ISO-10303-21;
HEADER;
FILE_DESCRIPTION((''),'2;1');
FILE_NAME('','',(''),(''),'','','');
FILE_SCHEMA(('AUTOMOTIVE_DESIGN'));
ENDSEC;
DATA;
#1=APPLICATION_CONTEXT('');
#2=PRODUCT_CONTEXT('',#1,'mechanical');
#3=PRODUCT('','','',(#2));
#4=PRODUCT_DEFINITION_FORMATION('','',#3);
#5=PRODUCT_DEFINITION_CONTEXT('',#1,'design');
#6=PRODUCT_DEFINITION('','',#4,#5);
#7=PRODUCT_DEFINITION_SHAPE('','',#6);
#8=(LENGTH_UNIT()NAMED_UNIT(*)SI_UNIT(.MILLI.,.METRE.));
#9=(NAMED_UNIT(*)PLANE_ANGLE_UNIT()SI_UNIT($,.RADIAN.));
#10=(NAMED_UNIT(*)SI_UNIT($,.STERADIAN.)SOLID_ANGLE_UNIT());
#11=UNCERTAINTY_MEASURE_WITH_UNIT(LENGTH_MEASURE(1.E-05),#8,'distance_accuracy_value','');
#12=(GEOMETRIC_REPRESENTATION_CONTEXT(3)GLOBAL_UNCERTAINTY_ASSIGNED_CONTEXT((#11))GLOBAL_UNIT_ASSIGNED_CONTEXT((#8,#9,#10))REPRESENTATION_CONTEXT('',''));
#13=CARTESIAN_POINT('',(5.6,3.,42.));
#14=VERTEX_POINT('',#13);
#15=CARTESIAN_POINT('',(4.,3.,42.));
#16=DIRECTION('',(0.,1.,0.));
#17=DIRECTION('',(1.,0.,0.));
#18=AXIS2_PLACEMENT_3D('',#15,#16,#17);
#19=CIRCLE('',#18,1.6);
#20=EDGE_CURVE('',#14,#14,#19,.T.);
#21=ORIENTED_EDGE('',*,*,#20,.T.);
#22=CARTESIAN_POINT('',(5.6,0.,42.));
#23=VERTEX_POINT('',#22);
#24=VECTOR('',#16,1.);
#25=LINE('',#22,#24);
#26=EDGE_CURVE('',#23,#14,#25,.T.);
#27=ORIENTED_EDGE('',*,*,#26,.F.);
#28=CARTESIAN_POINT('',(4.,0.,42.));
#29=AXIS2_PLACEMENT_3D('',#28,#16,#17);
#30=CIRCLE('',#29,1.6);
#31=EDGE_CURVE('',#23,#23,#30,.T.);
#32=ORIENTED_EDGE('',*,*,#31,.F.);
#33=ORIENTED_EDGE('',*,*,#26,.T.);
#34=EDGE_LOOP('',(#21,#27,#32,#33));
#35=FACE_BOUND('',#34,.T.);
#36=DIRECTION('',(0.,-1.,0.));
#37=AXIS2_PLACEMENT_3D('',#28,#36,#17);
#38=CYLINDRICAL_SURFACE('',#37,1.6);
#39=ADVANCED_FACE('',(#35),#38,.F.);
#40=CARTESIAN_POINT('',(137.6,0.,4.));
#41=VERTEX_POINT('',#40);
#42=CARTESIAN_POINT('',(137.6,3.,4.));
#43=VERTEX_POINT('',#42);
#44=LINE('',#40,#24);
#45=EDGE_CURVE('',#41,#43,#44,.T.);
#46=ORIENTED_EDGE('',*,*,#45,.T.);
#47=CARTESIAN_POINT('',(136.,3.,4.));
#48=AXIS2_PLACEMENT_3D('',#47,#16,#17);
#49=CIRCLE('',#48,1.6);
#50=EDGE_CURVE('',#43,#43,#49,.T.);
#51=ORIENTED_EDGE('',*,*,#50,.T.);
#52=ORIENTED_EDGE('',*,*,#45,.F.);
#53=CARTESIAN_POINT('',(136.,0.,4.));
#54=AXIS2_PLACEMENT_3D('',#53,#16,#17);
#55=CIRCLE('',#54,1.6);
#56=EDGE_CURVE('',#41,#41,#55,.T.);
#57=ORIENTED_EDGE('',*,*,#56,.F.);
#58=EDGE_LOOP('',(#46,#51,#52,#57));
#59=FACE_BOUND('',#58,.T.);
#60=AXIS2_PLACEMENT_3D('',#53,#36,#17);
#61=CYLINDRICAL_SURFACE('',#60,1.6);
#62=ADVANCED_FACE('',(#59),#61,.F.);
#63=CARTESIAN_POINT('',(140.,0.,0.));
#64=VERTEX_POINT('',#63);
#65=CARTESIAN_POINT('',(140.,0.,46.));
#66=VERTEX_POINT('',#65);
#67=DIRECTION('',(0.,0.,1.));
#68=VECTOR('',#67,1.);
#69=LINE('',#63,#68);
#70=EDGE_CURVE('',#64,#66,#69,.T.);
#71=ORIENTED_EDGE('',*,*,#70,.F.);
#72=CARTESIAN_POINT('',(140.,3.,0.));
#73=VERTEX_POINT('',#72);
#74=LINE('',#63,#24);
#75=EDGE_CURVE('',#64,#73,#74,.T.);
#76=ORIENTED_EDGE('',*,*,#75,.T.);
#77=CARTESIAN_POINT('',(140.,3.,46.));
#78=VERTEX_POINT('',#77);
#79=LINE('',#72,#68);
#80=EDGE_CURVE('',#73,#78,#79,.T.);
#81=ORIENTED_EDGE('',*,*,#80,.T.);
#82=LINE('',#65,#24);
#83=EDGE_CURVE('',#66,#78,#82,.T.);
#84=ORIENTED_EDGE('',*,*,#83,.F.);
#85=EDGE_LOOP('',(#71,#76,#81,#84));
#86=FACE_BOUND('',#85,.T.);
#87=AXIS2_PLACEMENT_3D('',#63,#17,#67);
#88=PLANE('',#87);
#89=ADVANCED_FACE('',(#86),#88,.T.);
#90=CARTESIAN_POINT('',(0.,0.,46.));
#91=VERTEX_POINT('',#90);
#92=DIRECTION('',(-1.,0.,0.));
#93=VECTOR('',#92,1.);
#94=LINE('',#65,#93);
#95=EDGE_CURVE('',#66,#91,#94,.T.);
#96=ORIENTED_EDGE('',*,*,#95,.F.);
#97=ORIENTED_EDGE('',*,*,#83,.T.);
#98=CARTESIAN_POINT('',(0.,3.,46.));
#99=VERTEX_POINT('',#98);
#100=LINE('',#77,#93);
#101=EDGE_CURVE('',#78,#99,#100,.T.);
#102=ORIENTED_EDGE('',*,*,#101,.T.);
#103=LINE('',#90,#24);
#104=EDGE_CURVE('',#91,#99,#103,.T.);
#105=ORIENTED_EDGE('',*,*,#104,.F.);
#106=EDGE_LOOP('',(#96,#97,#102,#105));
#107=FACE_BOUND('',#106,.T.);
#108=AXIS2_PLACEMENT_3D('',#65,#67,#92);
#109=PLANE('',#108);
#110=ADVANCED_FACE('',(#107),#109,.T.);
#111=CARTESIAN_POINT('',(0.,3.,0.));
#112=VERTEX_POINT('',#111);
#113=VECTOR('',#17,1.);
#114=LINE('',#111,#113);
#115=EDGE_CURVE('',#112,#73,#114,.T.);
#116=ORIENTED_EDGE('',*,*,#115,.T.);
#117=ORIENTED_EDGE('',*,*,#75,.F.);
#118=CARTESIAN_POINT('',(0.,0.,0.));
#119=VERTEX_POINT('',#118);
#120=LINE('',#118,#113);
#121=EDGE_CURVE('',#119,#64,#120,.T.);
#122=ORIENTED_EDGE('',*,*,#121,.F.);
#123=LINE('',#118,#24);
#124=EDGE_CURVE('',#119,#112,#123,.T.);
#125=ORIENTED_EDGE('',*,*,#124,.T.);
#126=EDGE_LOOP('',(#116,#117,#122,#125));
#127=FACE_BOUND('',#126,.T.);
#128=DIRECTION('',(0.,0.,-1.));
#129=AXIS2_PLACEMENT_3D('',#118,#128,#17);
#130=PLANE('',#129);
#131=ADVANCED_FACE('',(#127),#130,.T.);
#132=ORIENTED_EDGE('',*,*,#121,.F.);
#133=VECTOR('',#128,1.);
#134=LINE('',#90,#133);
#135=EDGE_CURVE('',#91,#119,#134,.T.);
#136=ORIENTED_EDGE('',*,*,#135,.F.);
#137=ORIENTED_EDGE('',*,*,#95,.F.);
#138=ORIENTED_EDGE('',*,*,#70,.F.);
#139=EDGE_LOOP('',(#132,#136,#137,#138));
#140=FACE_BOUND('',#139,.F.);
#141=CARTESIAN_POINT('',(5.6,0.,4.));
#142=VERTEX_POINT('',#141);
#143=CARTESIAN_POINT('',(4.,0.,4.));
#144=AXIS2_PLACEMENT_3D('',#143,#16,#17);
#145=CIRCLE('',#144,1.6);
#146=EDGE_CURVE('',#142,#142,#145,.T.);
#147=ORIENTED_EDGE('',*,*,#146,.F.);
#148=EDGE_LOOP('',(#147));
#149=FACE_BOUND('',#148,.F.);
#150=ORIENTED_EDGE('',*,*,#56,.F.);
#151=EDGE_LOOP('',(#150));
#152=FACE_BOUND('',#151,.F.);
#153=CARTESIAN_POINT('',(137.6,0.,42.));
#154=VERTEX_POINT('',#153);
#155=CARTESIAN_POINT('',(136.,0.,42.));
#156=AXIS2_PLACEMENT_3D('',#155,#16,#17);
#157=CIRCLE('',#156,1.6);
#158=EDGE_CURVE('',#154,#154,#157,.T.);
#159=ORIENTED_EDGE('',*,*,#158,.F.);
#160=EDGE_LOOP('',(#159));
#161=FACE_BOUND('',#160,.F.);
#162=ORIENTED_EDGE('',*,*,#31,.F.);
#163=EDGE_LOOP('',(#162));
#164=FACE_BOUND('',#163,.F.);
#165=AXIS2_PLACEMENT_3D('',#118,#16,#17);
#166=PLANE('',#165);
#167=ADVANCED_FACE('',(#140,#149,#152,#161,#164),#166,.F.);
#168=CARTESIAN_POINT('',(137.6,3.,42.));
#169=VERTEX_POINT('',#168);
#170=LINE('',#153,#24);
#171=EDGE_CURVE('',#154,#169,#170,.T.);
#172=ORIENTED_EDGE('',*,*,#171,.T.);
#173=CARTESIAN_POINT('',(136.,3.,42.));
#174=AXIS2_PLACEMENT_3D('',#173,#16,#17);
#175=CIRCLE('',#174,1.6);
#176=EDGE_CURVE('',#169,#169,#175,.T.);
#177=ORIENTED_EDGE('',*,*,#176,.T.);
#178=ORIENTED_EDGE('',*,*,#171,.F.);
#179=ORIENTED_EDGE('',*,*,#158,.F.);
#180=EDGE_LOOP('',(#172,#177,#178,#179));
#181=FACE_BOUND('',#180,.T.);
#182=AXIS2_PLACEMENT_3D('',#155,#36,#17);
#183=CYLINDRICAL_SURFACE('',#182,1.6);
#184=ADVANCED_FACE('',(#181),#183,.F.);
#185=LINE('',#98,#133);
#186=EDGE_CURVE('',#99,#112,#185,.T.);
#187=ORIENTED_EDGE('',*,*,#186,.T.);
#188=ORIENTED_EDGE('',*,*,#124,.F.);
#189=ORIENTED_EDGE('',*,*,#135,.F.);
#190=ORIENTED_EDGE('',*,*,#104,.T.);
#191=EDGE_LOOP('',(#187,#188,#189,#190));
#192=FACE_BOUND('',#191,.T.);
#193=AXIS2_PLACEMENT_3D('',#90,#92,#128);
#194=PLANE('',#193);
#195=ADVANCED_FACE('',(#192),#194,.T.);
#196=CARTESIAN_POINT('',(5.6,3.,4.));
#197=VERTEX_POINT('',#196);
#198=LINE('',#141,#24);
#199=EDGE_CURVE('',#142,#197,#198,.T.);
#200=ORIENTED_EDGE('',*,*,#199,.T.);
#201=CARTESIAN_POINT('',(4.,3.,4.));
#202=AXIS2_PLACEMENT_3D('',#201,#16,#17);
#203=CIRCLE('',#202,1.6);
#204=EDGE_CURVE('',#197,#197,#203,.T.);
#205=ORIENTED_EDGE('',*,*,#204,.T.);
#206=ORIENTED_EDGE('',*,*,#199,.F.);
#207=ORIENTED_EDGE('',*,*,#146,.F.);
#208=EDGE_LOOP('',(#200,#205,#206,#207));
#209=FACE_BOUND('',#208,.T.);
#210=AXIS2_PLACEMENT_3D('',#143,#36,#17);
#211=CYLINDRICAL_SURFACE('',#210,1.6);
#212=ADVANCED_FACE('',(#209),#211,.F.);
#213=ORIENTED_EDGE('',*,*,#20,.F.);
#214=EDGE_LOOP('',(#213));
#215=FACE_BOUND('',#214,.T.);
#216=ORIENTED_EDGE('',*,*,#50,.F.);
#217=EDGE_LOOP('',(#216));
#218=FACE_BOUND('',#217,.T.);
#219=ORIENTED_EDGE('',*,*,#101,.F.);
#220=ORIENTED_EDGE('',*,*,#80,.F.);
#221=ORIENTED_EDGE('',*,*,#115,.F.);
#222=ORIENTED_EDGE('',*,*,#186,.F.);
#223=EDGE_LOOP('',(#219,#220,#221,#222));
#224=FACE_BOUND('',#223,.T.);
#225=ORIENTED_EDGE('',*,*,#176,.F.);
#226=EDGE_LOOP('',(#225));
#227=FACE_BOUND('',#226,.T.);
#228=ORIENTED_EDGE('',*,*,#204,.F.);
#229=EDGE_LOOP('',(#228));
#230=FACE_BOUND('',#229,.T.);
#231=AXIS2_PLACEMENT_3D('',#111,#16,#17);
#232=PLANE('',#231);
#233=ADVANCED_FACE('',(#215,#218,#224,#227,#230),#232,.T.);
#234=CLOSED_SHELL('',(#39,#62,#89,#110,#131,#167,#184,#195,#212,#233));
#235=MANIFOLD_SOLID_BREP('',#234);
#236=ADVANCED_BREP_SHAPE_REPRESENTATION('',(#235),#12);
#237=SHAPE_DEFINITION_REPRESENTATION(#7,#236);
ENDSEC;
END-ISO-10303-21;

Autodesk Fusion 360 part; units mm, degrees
sketch "Skizze1" plane through (0, 0, 0) normal (0, 1, 0) x (1, 0, 0)
  line L0 (0, 0) -> (140, 0)
  line L1 (140, 0) -> (140, -46)
  line L2 (140, -46) -> (0, -46)
  line L3 (0, -46) -> (0, 0)
  circle A0 centre (4, -42) radius 1.6
  circle A1 centre (4, -4) radius 1.6
  circle A2 centre (136, -42) radius 1.6
  circle A3 centre (136, -4) radius 1.6
  line L4 (10, -36.5) -> (130, -36.5)
  line L5 (130, -36.5) -> (130, -9.5)
  line L6 (130, -9.5) -> (10, -9.5)
  line L7 (10, -9.5) -> (10, -36.5)
  line L8 (11, -36.65) -> (62.2, -36.65)
  line L9 (62.2, -36.65) -> (62.2, -9.35)
  line L10 (62.2, -9.35) -> (11, -9.35)
  line L11 (11, -9.35) -> (11, -36.65)
  line L12 (77.8, -36.65) -> (129, -36.65)
  line L13 (129, -36.65) -> (129, -9.35)
  line L14 (129, -9.35) -> (77.8, -9.35)
  line L15 (77.8, -9.35) -> (77.8, -36.65)
  circle A4 centre (13.8, -33.85) radius 1.05
  circle A5 centre (59.4, -33.85) radius 1.05
  circle A6 centre (13.8, -12.15) radius 1.05
  circle A7 centre (59.4, -12.15) radius 1.05
  circle A8 centre (80.6, -33.85) radius 1.05
  circle A9 centre (80.6, -12.15) radius 1.05
  circle A10 centre (126.2, -33.85) radius 1.05
  circle A11 centre (126.2, -12.15) radius 1.05
  line L16 (8, -31.1) -> (132, -31.1)
  line L17 (132, -31.1) -> (132, -15.1)
  line L18 (132, -15.1) -> (8, -15.1)
  line L19 (8, -15.1) -> (8, -31.1)
  circle A12 centre (7, -36) radius 1.6
  circle A13 centre (133, -10) radius 1.6
  circle A14 centre (133, -36) radius 1.6
  circle A15 centre (7, -10) radius 1.6
  dimension "d1" = 140
  dimension "d2" = 46
  dimension "d3" = 3.2
  dimension "d4" = 3.2
  dimension "d5" = 3.2
  dimension "d6" = 3.2
  dimension "d7" = 132
  dimension "d8" = 38
  dimension "d9" = 38
  dimension "d10" = 132
  dimension "d11" = 4
  dimension "d12" = 4
  dimension "d60" = 120
  dimension "d61" = 27
  dimension "d62" = 9.5
  dimension "d63" = 10
  dimension "d64" = 1
  dimension "d65" = 1
  dimension "d66" = 51.2
  dimension "d67" = 51.2
  dimension "d68" = 27.3
  dimension "d69" = 27.3
  dimension "d70" = 0.15
  dimension "d71" = 0.15
  dimension "d72" = 2.1
  dimension "d73" = 2.1
  dimension "d74" = 2.1
  dimension "d75" = 2.1
  dimension "d76" = 2.1
  dimension "d77" = 2.1
  dimension "d78" = 2.1
  dimension "d79" = 2.1
  dimension "d80" = 2.8
  dimension "d81" = 2.8
  dimension "d82" = 2.8
  dimension "d83" = 2.8
  dimension "d84" = 45.6
  dimension "d85" = 45.6
  dimension "d86" = 21.7
  dimension "d87" = 21.7
  dimension "d88" = 45.6
  dimension "d89" = 21.7
  dimension "d90" = 21.7
  dimension "d91" = 16
  dimension "d92" = 124
  dimension "d95" = 5.55
  dimension "d115" = 3.2
  dimension "d116" = 3.2
  dimension "d117" = 3.2
  dimension "d118" = 3.2
  dimension "d121" = 126
  dimension "d123" = 10
  dimension "d124" = 7
  dimension "d125" = 26
  dimension "d126" = 126
  dimension "d127" = 26
  dimension "d128" = 36
  dimension "d129" = 133
  dimension "d130" = 133
  dimension "d131" = 8
extrude "Extrusion1" add sketch "Skizze1" along normal blind 3 contours L0 L1 L2 L3 | L4 L7 L11 L16 | L4 L9 L11 L16 | L4 L8 L9 L11 | L7 L16 L18 L19 | L7 L11 L16 L18 | L4 L9 L15 L16 | L9 L11 L16 L18 | L6 L7 L11 L18 | L4 L13 L15 L16 | L4 L12 L13 L15 | L9 L15 L16 L18 | L6 L9 L11 L18 | L4 L5 L13 L16 | L13 L15 L16 L18 | L6 L9 L15 L18 | L6 L9 L10 L11 | L5 L13 L16 L18 | L6 L13 L15 L18 | L5 L16 L17 L18 | L5 L6 L13 L18 | L6 L13 L14 L15 | A4 | A5 | A6 | A7 | A8 | A9 | A10 | A11 | A12 | A13 | A14 | A15
sketch "Skizze4" plane through (0, 0, 0) normal (0, 1, 0) x (1, 0, 0)
  line L0 (7, -39) -> (133, -39)
  line L1 (133, -33) -> (133, -13)
  line L2 (133, -7) -> (7, -7)
  line L3 (7, -13) -> (7, -33)
  arc A0 (7, -33) -> (7, -39) centre (7, -36) ccw
  arc A1 (133, -13) -> (133, -7) centre (133, -10) ccw
  arc A2 (133, -39) -> (133, -33) centre (133, -36) ccw
  arc A3 (7, -7) -> (7, -13) centre (7, -10) ccw
  circle A4 centre (7, -36) radius 1.6
  circle A5 centre (7, -10) radius 1.6
  circle A6 centre (133, -36) radius 1.6
  circle A7 centre (133, -10) radius 1.6
  dimension "d99" = 126
  dimension "d100" = 32
  dimension "d101" = 6
  dimension "d102" = 3
  dimension "d103" = 6
  dimension "d104" = 6
  dimension "d105" = 6
  dimension "d106" = 3
  dimension "d107" = 3
  dimension "d108" = 3
  dimension "d109" = 7
  dimension "d110" = 7
  dimension "d111" = 3.2
  dimension "d112" = 3.2
  dimension "d113" = 3.2
  dimension "d114" = 3.2
sketch "Skizze5" plane through (0, 0, 0) normal (0, 1, 0) x (1, 0, 0)
  line L0 (7, -39) -> (133, -39)
  arc A0 (7, -33) -> (7, -39) centre (7, -36) ccw
  line L1 (7, -13) -> (7, -33)
  arc A1 (7, -7) -> (7, -13) centre (7, -10) ccw
  line L2 (133, -7) -> (7, -7)
  arc A2 (133, -13) -> (133, -7) centre (133, -10) ccw
  line L3 (133, -33) -> (133, -13)
  arc A3 (133, -39) -> (133, -33) centre (133, -36) ccw
  line L4 (77.8, -9.35) -> (77.8, -36.65)
  line L5 (77.8, -36.65) -> (129, -36.65)
  line L6 (129, -36.65) -> (129, -9.35)
  line L7 (129, -9.35) -> (77.8, -9.35)
  line L8 (62.2, -9.35) -> (11, -9.35)
  line L9 (62.2, -36.65) -> (62.2, -9.35)
  line L10 (11, -9.35) -> (11, -36.65)
  line L11 (11, -36.65) -> (62.2, -36.65)
  line L12 (17.25, -34.35) -> (59.97, -34.35)
  line L13 (59.97, -34.35) -> (59.97, -11.65)
  line L14 (59.97, -11.65) -> (17.25, -11.65)
  line L15 (17.25, -11.65) -> (17.25, -34.35)
  line L16 (122.75, -34.35) -> (80.03, -34.35)
  line L17 (80.03, -34.35) -> (80.03, -11.65)
  line L18 (80.03, -11.65) -> (122.75, -11.65)
  line L19 (122.75, -11.65) -> (122.75, -34.35)
  dimension "d132" = 126
  dimension "d133" = 32
  dimension "d134" = 6
  dimension "d135" = 3
  dimension "d136" = 6
  dimension "d137" = 6
  dimension "d138" = 6
  dimension "d139" = 3
  dimension "d140" = 3
  dimension "d141" = 3
  dimension "d142" = 51.2
  dimension "d143" = 51.2
  dimension "d144" = 27.3
  dimension "d145" = 27.3
  dimension "d146" = 7
  dimension "d147" = 7
  dimension "d148" = 9.35
  dimension "d149" = 9.35
  dimension "d150" = 11
  dimension "d151" = 77.8
  dimension "d152" = 6.25
  dimension "d153" = 6.25
  dimension "d154" = 2.23
  dimension "d155" = 2.23
  dimension "d156" = 2.3
  dimension "d157" = 2.3
  dimension "d158" = 2.3
  dimension "d159" = 2.3
sketch "Skizze6" plane through (0, 0, 0) normal (0, 1, 0) x (1, 0, 0)
  line L0 (4, 0) -> (211, 0)
  line L1 (215, -4) -> (215, -58)
  line L2 (211, -62) -> (4, -62)
  line L3 (0, -58) -> (0, -4)
  circle A0 centre (10.75, -53) radius 2.25
  circle A1 centre (10.75, -9) radius 2.25
  circle A2 centre (204.25, -53) radius 2.25
  circle A3 centre (204.25, -9) radius 2.25
  arc A4 (0, -58) -> (4, -62) centre (4, -58) ccw
  arc A5 (4, 0) -> (0, -4) centre (4, -4) ccw
  arc A6 (211, -62) -> (215, -58) centre (211, -58) ccw
  arc A7 (215, -4) -> (211, 0) centre (211, -4) ccw
  point P0 (215, 0)
  point P1 (0, -62)
  dimension "d160" = 62
  dimension "d161" = 215
  dimension "d162" = 4.5
  dimension "d163" = 4.5
  dimension "d164" = 4.5
  dimension "d165" = 4.5
  dimension "d167" = 193.5
  dimension "d168" = 44
  dimension "d170" = 9
  dimension "d171" = 10.75
  dimension "d172" = 4
  dimension "d173" = 4
  dimension "d174" = 4
  dimension "d175" = 4
